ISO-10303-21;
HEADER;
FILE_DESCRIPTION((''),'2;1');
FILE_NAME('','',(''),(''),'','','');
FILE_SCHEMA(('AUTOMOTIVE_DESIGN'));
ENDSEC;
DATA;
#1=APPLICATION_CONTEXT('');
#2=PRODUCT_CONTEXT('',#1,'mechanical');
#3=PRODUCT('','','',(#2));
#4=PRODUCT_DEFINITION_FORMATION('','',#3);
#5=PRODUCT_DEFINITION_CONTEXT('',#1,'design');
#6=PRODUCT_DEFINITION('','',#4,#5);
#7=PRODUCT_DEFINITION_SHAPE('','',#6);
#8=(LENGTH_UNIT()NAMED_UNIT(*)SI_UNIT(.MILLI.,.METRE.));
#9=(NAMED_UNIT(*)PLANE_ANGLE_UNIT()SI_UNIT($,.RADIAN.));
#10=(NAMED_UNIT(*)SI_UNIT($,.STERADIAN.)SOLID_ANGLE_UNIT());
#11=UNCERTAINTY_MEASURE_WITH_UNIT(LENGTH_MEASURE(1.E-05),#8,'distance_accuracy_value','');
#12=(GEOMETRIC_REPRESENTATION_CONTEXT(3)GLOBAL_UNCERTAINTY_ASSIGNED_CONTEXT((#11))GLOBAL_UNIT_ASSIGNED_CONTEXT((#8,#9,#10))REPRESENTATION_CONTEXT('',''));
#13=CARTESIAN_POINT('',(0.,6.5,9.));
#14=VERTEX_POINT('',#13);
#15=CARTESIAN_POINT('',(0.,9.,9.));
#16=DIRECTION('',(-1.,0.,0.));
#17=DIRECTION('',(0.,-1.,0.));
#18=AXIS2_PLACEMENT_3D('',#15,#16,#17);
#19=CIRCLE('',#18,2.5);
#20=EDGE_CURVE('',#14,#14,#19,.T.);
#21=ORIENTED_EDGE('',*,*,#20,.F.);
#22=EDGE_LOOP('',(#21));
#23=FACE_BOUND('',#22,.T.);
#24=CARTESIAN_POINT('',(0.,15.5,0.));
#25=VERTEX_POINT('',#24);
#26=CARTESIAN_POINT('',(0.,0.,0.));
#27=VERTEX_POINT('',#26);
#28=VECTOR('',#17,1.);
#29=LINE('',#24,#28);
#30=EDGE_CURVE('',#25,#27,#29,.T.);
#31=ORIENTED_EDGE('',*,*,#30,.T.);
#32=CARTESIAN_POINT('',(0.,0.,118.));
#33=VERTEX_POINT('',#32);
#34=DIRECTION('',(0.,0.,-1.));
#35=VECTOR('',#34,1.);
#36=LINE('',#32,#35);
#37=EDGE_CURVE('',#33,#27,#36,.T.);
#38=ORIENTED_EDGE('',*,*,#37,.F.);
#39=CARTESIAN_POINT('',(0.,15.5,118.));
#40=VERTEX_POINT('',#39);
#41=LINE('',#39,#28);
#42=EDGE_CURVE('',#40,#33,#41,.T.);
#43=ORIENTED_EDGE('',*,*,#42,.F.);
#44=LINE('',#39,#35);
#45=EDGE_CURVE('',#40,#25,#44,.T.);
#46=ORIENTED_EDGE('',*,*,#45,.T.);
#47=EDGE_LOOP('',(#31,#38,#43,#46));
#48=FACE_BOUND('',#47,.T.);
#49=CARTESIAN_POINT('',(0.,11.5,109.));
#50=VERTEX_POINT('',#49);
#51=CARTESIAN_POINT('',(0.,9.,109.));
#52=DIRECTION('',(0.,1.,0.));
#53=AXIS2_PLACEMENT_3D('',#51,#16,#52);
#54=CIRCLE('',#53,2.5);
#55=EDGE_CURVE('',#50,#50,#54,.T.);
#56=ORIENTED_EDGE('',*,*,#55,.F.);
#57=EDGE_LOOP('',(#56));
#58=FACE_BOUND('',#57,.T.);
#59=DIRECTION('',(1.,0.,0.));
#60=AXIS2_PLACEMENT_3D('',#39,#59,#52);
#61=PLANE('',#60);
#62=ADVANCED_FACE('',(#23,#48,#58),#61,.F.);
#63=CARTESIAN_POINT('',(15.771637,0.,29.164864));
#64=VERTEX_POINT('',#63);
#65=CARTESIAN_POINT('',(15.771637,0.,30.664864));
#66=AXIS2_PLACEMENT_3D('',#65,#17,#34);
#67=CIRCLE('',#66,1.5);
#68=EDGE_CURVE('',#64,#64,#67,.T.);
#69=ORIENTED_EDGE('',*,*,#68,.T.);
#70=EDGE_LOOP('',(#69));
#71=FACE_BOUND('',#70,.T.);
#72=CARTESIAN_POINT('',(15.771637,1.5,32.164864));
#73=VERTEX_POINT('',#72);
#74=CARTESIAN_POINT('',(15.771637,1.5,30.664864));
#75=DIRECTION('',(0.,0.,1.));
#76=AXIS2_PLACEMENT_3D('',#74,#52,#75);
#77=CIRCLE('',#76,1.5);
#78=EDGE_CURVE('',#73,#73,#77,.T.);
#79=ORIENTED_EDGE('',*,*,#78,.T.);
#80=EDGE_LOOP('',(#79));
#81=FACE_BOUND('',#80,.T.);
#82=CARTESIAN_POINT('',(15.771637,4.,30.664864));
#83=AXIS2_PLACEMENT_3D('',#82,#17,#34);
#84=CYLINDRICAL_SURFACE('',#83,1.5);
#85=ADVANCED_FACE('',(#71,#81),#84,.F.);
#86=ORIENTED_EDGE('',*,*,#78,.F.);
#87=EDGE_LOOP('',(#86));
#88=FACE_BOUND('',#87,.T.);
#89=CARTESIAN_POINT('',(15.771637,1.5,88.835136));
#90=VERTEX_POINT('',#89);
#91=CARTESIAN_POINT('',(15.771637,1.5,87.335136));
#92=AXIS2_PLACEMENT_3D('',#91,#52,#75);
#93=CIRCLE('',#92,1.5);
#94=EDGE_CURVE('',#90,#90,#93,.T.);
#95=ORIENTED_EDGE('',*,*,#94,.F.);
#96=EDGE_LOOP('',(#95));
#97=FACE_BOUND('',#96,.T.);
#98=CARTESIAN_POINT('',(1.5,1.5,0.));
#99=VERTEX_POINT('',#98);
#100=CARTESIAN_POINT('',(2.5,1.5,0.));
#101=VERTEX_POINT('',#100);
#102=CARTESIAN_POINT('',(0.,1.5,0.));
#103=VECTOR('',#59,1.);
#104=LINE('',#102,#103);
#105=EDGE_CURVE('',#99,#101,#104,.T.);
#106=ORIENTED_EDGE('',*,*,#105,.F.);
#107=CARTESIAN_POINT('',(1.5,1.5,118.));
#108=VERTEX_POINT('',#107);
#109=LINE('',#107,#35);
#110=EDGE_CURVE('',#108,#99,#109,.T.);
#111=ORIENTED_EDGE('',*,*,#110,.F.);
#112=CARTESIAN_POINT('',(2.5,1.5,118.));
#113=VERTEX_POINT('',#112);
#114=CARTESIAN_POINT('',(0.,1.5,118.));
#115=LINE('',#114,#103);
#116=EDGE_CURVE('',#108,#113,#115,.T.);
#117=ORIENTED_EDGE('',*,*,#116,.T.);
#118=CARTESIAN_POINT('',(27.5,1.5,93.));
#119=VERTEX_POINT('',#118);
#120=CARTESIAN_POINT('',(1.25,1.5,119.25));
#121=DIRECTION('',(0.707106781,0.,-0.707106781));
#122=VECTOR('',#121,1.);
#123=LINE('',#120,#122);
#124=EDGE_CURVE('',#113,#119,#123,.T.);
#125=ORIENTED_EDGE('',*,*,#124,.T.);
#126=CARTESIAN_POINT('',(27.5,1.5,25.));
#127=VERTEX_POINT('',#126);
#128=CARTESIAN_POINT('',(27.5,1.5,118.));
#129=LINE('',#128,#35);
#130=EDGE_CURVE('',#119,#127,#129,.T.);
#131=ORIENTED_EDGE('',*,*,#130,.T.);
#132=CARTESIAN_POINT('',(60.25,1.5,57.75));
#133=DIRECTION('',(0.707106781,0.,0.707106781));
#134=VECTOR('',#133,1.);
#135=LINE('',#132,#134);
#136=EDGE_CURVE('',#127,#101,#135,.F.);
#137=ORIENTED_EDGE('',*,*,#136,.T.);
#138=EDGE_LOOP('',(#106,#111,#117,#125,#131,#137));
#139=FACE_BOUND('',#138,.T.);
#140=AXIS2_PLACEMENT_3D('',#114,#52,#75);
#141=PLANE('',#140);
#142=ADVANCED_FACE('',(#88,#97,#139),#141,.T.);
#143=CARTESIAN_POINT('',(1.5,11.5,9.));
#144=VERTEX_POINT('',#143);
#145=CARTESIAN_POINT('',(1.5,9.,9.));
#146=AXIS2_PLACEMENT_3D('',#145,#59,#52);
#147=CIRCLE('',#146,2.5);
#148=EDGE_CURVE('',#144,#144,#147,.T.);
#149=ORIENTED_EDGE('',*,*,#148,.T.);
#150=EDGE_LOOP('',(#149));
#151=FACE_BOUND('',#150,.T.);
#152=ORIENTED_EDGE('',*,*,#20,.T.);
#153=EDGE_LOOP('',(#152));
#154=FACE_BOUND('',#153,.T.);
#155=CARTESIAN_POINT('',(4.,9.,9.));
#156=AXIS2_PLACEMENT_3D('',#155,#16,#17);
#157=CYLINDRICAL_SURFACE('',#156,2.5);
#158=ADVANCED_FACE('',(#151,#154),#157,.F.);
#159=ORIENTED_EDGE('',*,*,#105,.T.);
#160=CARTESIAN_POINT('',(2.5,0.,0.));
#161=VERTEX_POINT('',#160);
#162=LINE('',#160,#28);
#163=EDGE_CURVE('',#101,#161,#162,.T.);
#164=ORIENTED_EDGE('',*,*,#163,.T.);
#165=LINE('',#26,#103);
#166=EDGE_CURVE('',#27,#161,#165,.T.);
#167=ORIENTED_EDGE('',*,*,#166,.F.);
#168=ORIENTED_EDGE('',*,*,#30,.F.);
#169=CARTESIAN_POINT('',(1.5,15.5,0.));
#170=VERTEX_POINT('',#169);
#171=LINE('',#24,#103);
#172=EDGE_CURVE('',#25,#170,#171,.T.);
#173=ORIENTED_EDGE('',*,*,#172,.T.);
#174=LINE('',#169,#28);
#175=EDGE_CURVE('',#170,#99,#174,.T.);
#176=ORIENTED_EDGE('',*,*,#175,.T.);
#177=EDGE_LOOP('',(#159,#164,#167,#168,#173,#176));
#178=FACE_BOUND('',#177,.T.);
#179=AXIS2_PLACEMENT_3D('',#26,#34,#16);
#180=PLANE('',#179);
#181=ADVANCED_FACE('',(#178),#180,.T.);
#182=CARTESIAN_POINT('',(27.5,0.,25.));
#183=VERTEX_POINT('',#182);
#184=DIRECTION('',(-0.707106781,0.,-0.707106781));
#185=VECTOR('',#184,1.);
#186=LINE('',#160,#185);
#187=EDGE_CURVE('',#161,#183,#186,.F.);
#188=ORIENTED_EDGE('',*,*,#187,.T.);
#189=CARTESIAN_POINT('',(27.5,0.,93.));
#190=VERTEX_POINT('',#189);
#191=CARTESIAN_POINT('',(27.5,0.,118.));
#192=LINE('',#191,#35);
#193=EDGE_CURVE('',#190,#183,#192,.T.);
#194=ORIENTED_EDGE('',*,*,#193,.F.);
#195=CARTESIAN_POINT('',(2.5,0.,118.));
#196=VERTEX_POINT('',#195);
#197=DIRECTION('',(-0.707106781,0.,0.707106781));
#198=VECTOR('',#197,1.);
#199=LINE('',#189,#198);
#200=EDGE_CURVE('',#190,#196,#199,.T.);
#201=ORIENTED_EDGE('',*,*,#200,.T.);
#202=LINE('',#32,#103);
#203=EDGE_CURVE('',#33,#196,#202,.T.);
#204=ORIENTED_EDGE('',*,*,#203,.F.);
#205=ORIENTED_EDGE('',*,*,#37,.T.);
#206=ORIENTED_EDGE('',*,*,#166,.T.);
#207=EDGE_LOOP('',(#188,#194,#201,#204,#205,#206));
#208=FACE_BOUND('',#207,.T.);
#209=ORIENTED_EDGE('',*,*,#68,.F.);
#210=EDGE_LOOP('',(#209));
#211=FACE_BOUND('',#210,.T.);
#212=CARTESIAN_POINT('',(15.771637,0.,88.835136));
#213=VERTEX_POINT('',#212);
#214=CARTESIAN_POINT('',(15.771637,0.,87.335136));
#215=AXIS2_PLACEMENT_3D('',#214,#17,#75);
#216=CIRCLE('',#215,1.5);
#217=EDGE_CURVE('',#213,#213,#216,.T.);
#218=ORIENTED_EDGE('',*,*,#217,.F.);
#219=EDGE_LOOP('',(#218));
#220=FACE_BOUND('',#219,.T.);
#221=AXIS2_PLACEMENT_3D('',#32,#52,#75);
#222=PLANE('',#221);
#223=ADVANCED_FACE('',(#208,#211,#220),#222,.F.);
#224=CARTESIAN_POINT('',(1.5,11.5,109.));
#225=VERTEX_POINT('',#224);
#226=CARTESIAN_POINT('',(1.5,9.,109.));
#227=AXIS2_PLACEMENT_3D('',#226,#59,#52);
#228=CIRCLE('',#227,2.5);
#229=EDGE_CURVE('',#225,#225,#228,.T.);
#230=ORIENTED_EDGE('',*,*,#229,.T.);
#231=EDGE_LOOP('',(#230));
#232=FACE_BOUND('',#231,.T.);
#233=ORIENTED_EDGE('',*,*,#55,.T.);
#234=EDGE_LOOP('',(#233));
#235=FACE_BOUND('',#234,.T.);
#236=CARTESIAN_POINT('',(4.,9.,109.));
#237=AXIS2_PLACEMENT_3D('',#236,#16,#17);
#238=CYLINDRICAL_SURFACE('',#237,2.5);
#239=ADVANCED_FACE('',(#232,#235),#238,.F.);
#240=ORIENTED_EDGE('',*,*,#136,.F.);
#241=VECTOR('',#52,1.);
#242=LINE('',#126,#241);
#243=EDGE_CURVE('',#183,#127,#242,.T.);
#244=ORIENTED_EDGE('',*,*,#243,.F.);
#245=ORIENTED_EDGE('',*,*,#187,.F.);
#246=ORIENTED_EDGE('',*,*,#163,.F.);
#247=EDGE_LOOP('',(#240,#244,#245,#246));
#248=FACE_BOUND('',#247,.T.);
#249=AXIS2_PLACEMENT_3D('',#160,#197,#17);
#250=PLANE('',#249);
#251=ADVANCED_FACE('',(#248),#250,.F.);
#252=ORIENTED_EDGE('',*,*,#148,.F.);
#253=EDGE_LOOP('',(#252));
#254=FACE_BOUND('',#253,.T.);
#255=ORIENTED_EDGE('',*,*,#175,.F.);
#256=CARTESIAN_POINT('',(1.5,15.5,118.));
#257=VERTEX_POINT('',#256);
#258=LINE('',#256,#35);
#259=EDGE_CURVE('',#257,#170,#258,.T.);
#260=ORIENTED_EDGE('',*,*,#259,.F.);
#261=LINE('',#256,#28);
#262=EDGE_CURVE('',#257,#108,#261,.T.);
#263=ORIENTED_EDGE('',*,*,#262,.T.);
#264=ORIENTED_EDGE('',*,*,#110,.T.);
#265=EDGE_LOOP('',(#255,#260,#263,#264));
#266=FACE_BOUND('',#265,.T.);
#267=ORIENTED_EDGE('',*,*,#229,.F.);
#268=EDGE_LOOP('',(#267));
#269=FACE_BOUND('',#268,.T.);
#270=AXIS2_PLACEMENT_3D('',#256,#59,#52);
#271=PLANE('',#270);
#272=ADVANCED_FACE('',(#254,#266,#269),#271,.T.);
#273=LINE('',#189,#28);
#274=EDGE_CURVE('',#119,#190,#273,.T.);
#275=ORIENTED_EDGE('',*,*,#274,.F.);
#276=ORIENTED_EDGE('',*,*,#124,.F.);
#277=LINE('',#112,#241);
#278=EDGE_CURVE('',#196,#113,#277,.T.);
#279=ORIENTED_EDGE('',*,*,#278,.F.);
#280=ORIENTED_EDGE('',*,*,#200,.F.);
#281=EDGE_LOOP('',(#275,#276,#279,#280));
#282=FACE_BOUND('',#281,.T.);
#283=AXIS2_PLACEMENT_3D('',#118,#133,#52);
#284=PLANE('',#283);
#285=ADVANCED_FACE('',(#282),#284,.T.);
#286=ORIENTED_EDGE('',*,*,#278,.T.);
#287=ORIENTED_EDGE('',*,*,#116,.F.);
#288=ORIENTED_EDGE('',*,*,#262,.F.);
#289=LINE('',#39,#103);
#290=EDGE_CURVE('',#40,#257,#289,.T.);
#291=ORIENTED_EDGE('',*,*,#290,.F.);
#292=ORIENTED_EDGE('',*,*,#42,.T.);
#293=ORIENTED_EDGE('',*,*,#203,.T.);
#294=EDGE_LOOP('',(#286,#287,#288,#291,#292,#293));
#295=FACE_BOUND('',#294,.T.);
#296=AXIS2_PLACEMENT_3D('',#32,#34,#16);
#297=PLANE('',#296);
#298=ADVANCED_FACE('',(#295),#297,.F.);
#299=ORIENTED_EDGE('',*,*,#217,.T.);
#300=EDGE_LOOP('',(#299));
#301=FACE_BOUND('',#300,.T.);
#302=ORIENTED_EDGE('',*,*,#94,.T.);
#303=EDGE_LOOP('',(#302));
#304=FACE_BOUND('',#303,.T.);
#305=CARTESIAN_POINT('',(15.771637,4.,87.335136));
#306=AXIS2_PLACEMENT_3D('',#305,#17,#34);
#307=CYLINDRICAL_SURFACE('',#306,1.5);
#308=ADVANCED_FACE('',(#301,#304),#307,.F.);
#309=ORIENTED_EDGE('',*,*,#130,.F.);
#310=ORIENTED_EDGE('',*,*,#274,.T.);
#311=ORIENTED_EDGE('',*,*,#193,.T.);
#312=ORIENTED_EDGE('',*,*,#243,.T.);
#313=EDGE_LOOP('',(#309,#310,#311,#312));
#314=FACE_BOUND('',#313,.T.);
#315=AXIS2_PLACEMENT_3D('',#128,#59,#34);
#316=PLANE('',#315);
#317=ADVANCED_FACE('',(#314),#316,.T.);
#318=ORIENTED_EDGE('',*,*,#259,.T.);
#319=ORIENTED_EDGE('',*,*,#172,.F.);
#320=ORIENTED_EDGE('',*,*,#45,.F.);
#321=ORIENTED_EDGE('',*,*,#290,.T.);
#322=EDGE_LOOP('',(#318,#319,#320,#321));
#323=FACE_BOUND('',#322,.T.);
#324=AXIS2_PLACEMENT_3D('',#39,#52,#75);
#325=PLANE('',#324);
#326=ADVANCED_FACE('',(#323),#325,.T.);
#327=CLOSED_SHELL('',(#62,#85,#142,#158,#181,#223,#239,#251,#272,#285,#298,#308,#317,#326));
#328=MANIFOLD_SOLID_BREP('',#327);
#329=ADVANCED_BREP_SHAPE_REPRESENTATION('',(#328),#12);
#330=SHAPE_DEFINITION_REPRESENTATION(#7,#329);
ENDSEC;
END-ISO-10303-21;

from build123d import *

# Parameters (mm, degrees)
EXTRU_MINCE1_DEPTH      = 118
ESQUISSE2_R             = 2.5
ENL_V_MAT_EXTRU_1_DEPTH = 4
ESQUISSE3_R             = 1.5
ENL_V_MAT_EXTRU_2_DEPTH = 4
CHANFREIN1_SIZE         = 25


with BuildPart() as part:
    # Esquisse1 → Extru.-Mince1 (new body)
    with BuildSketch(Plane.XY):
        Polygon((0, 15.5), (0, 0), (27.5, 0), (27.5, 1.5), (1.5, 1.5), (1.5, 15.5), align=None)
    extrude(amount=EXTRU_MINCE1_DEPTH)

    # Esquisse2 → Enlèv. mat.-Extru.1 (cut)
    with BuildSketch(Plane.ZY):
        with Locations(Location((9, 9, 0), (0, 0, 270))):
            Circle(ESQUISSE2_R)
        with Locations(Location((109, 9, 0), (0, 0, 90))):
            Circle(ESQUISSE2_R)
    extrude(amount=-ENL_V_MAT_EXTRU_1_DEPTH, mode=Mode.SUBTRACT)

    # Esquisse3 → Enlèv. mat.-Extru.2 (cut)
    with BuildSketch(Plane.XZ):
        with Locations(Location((15.771636742, 30.664864187, 0), (0, 0, 270))):
            Circle(ESQUISSE3_R)
        with Locations(Location((15.771636742, 87.335135813, 0), (0, 0, 90))):
            Circle(ESQUISSE3_R)
    extrude(amount=-ENL_V_MAT_EXTRU_2_DEPTH, mode=Mode.SUBTRACT)

    # Chanfrein1
    chanfrein1_edges = [part.edges().sort_by_distance(p)[0] for p in [
        (27.5, 0.75, 0),
        (27.5, 0.75, 118),
    ]]
    chamfer(chanfrein1_edges, length=CHANFREIN1_SIZE)


solid = part.part
